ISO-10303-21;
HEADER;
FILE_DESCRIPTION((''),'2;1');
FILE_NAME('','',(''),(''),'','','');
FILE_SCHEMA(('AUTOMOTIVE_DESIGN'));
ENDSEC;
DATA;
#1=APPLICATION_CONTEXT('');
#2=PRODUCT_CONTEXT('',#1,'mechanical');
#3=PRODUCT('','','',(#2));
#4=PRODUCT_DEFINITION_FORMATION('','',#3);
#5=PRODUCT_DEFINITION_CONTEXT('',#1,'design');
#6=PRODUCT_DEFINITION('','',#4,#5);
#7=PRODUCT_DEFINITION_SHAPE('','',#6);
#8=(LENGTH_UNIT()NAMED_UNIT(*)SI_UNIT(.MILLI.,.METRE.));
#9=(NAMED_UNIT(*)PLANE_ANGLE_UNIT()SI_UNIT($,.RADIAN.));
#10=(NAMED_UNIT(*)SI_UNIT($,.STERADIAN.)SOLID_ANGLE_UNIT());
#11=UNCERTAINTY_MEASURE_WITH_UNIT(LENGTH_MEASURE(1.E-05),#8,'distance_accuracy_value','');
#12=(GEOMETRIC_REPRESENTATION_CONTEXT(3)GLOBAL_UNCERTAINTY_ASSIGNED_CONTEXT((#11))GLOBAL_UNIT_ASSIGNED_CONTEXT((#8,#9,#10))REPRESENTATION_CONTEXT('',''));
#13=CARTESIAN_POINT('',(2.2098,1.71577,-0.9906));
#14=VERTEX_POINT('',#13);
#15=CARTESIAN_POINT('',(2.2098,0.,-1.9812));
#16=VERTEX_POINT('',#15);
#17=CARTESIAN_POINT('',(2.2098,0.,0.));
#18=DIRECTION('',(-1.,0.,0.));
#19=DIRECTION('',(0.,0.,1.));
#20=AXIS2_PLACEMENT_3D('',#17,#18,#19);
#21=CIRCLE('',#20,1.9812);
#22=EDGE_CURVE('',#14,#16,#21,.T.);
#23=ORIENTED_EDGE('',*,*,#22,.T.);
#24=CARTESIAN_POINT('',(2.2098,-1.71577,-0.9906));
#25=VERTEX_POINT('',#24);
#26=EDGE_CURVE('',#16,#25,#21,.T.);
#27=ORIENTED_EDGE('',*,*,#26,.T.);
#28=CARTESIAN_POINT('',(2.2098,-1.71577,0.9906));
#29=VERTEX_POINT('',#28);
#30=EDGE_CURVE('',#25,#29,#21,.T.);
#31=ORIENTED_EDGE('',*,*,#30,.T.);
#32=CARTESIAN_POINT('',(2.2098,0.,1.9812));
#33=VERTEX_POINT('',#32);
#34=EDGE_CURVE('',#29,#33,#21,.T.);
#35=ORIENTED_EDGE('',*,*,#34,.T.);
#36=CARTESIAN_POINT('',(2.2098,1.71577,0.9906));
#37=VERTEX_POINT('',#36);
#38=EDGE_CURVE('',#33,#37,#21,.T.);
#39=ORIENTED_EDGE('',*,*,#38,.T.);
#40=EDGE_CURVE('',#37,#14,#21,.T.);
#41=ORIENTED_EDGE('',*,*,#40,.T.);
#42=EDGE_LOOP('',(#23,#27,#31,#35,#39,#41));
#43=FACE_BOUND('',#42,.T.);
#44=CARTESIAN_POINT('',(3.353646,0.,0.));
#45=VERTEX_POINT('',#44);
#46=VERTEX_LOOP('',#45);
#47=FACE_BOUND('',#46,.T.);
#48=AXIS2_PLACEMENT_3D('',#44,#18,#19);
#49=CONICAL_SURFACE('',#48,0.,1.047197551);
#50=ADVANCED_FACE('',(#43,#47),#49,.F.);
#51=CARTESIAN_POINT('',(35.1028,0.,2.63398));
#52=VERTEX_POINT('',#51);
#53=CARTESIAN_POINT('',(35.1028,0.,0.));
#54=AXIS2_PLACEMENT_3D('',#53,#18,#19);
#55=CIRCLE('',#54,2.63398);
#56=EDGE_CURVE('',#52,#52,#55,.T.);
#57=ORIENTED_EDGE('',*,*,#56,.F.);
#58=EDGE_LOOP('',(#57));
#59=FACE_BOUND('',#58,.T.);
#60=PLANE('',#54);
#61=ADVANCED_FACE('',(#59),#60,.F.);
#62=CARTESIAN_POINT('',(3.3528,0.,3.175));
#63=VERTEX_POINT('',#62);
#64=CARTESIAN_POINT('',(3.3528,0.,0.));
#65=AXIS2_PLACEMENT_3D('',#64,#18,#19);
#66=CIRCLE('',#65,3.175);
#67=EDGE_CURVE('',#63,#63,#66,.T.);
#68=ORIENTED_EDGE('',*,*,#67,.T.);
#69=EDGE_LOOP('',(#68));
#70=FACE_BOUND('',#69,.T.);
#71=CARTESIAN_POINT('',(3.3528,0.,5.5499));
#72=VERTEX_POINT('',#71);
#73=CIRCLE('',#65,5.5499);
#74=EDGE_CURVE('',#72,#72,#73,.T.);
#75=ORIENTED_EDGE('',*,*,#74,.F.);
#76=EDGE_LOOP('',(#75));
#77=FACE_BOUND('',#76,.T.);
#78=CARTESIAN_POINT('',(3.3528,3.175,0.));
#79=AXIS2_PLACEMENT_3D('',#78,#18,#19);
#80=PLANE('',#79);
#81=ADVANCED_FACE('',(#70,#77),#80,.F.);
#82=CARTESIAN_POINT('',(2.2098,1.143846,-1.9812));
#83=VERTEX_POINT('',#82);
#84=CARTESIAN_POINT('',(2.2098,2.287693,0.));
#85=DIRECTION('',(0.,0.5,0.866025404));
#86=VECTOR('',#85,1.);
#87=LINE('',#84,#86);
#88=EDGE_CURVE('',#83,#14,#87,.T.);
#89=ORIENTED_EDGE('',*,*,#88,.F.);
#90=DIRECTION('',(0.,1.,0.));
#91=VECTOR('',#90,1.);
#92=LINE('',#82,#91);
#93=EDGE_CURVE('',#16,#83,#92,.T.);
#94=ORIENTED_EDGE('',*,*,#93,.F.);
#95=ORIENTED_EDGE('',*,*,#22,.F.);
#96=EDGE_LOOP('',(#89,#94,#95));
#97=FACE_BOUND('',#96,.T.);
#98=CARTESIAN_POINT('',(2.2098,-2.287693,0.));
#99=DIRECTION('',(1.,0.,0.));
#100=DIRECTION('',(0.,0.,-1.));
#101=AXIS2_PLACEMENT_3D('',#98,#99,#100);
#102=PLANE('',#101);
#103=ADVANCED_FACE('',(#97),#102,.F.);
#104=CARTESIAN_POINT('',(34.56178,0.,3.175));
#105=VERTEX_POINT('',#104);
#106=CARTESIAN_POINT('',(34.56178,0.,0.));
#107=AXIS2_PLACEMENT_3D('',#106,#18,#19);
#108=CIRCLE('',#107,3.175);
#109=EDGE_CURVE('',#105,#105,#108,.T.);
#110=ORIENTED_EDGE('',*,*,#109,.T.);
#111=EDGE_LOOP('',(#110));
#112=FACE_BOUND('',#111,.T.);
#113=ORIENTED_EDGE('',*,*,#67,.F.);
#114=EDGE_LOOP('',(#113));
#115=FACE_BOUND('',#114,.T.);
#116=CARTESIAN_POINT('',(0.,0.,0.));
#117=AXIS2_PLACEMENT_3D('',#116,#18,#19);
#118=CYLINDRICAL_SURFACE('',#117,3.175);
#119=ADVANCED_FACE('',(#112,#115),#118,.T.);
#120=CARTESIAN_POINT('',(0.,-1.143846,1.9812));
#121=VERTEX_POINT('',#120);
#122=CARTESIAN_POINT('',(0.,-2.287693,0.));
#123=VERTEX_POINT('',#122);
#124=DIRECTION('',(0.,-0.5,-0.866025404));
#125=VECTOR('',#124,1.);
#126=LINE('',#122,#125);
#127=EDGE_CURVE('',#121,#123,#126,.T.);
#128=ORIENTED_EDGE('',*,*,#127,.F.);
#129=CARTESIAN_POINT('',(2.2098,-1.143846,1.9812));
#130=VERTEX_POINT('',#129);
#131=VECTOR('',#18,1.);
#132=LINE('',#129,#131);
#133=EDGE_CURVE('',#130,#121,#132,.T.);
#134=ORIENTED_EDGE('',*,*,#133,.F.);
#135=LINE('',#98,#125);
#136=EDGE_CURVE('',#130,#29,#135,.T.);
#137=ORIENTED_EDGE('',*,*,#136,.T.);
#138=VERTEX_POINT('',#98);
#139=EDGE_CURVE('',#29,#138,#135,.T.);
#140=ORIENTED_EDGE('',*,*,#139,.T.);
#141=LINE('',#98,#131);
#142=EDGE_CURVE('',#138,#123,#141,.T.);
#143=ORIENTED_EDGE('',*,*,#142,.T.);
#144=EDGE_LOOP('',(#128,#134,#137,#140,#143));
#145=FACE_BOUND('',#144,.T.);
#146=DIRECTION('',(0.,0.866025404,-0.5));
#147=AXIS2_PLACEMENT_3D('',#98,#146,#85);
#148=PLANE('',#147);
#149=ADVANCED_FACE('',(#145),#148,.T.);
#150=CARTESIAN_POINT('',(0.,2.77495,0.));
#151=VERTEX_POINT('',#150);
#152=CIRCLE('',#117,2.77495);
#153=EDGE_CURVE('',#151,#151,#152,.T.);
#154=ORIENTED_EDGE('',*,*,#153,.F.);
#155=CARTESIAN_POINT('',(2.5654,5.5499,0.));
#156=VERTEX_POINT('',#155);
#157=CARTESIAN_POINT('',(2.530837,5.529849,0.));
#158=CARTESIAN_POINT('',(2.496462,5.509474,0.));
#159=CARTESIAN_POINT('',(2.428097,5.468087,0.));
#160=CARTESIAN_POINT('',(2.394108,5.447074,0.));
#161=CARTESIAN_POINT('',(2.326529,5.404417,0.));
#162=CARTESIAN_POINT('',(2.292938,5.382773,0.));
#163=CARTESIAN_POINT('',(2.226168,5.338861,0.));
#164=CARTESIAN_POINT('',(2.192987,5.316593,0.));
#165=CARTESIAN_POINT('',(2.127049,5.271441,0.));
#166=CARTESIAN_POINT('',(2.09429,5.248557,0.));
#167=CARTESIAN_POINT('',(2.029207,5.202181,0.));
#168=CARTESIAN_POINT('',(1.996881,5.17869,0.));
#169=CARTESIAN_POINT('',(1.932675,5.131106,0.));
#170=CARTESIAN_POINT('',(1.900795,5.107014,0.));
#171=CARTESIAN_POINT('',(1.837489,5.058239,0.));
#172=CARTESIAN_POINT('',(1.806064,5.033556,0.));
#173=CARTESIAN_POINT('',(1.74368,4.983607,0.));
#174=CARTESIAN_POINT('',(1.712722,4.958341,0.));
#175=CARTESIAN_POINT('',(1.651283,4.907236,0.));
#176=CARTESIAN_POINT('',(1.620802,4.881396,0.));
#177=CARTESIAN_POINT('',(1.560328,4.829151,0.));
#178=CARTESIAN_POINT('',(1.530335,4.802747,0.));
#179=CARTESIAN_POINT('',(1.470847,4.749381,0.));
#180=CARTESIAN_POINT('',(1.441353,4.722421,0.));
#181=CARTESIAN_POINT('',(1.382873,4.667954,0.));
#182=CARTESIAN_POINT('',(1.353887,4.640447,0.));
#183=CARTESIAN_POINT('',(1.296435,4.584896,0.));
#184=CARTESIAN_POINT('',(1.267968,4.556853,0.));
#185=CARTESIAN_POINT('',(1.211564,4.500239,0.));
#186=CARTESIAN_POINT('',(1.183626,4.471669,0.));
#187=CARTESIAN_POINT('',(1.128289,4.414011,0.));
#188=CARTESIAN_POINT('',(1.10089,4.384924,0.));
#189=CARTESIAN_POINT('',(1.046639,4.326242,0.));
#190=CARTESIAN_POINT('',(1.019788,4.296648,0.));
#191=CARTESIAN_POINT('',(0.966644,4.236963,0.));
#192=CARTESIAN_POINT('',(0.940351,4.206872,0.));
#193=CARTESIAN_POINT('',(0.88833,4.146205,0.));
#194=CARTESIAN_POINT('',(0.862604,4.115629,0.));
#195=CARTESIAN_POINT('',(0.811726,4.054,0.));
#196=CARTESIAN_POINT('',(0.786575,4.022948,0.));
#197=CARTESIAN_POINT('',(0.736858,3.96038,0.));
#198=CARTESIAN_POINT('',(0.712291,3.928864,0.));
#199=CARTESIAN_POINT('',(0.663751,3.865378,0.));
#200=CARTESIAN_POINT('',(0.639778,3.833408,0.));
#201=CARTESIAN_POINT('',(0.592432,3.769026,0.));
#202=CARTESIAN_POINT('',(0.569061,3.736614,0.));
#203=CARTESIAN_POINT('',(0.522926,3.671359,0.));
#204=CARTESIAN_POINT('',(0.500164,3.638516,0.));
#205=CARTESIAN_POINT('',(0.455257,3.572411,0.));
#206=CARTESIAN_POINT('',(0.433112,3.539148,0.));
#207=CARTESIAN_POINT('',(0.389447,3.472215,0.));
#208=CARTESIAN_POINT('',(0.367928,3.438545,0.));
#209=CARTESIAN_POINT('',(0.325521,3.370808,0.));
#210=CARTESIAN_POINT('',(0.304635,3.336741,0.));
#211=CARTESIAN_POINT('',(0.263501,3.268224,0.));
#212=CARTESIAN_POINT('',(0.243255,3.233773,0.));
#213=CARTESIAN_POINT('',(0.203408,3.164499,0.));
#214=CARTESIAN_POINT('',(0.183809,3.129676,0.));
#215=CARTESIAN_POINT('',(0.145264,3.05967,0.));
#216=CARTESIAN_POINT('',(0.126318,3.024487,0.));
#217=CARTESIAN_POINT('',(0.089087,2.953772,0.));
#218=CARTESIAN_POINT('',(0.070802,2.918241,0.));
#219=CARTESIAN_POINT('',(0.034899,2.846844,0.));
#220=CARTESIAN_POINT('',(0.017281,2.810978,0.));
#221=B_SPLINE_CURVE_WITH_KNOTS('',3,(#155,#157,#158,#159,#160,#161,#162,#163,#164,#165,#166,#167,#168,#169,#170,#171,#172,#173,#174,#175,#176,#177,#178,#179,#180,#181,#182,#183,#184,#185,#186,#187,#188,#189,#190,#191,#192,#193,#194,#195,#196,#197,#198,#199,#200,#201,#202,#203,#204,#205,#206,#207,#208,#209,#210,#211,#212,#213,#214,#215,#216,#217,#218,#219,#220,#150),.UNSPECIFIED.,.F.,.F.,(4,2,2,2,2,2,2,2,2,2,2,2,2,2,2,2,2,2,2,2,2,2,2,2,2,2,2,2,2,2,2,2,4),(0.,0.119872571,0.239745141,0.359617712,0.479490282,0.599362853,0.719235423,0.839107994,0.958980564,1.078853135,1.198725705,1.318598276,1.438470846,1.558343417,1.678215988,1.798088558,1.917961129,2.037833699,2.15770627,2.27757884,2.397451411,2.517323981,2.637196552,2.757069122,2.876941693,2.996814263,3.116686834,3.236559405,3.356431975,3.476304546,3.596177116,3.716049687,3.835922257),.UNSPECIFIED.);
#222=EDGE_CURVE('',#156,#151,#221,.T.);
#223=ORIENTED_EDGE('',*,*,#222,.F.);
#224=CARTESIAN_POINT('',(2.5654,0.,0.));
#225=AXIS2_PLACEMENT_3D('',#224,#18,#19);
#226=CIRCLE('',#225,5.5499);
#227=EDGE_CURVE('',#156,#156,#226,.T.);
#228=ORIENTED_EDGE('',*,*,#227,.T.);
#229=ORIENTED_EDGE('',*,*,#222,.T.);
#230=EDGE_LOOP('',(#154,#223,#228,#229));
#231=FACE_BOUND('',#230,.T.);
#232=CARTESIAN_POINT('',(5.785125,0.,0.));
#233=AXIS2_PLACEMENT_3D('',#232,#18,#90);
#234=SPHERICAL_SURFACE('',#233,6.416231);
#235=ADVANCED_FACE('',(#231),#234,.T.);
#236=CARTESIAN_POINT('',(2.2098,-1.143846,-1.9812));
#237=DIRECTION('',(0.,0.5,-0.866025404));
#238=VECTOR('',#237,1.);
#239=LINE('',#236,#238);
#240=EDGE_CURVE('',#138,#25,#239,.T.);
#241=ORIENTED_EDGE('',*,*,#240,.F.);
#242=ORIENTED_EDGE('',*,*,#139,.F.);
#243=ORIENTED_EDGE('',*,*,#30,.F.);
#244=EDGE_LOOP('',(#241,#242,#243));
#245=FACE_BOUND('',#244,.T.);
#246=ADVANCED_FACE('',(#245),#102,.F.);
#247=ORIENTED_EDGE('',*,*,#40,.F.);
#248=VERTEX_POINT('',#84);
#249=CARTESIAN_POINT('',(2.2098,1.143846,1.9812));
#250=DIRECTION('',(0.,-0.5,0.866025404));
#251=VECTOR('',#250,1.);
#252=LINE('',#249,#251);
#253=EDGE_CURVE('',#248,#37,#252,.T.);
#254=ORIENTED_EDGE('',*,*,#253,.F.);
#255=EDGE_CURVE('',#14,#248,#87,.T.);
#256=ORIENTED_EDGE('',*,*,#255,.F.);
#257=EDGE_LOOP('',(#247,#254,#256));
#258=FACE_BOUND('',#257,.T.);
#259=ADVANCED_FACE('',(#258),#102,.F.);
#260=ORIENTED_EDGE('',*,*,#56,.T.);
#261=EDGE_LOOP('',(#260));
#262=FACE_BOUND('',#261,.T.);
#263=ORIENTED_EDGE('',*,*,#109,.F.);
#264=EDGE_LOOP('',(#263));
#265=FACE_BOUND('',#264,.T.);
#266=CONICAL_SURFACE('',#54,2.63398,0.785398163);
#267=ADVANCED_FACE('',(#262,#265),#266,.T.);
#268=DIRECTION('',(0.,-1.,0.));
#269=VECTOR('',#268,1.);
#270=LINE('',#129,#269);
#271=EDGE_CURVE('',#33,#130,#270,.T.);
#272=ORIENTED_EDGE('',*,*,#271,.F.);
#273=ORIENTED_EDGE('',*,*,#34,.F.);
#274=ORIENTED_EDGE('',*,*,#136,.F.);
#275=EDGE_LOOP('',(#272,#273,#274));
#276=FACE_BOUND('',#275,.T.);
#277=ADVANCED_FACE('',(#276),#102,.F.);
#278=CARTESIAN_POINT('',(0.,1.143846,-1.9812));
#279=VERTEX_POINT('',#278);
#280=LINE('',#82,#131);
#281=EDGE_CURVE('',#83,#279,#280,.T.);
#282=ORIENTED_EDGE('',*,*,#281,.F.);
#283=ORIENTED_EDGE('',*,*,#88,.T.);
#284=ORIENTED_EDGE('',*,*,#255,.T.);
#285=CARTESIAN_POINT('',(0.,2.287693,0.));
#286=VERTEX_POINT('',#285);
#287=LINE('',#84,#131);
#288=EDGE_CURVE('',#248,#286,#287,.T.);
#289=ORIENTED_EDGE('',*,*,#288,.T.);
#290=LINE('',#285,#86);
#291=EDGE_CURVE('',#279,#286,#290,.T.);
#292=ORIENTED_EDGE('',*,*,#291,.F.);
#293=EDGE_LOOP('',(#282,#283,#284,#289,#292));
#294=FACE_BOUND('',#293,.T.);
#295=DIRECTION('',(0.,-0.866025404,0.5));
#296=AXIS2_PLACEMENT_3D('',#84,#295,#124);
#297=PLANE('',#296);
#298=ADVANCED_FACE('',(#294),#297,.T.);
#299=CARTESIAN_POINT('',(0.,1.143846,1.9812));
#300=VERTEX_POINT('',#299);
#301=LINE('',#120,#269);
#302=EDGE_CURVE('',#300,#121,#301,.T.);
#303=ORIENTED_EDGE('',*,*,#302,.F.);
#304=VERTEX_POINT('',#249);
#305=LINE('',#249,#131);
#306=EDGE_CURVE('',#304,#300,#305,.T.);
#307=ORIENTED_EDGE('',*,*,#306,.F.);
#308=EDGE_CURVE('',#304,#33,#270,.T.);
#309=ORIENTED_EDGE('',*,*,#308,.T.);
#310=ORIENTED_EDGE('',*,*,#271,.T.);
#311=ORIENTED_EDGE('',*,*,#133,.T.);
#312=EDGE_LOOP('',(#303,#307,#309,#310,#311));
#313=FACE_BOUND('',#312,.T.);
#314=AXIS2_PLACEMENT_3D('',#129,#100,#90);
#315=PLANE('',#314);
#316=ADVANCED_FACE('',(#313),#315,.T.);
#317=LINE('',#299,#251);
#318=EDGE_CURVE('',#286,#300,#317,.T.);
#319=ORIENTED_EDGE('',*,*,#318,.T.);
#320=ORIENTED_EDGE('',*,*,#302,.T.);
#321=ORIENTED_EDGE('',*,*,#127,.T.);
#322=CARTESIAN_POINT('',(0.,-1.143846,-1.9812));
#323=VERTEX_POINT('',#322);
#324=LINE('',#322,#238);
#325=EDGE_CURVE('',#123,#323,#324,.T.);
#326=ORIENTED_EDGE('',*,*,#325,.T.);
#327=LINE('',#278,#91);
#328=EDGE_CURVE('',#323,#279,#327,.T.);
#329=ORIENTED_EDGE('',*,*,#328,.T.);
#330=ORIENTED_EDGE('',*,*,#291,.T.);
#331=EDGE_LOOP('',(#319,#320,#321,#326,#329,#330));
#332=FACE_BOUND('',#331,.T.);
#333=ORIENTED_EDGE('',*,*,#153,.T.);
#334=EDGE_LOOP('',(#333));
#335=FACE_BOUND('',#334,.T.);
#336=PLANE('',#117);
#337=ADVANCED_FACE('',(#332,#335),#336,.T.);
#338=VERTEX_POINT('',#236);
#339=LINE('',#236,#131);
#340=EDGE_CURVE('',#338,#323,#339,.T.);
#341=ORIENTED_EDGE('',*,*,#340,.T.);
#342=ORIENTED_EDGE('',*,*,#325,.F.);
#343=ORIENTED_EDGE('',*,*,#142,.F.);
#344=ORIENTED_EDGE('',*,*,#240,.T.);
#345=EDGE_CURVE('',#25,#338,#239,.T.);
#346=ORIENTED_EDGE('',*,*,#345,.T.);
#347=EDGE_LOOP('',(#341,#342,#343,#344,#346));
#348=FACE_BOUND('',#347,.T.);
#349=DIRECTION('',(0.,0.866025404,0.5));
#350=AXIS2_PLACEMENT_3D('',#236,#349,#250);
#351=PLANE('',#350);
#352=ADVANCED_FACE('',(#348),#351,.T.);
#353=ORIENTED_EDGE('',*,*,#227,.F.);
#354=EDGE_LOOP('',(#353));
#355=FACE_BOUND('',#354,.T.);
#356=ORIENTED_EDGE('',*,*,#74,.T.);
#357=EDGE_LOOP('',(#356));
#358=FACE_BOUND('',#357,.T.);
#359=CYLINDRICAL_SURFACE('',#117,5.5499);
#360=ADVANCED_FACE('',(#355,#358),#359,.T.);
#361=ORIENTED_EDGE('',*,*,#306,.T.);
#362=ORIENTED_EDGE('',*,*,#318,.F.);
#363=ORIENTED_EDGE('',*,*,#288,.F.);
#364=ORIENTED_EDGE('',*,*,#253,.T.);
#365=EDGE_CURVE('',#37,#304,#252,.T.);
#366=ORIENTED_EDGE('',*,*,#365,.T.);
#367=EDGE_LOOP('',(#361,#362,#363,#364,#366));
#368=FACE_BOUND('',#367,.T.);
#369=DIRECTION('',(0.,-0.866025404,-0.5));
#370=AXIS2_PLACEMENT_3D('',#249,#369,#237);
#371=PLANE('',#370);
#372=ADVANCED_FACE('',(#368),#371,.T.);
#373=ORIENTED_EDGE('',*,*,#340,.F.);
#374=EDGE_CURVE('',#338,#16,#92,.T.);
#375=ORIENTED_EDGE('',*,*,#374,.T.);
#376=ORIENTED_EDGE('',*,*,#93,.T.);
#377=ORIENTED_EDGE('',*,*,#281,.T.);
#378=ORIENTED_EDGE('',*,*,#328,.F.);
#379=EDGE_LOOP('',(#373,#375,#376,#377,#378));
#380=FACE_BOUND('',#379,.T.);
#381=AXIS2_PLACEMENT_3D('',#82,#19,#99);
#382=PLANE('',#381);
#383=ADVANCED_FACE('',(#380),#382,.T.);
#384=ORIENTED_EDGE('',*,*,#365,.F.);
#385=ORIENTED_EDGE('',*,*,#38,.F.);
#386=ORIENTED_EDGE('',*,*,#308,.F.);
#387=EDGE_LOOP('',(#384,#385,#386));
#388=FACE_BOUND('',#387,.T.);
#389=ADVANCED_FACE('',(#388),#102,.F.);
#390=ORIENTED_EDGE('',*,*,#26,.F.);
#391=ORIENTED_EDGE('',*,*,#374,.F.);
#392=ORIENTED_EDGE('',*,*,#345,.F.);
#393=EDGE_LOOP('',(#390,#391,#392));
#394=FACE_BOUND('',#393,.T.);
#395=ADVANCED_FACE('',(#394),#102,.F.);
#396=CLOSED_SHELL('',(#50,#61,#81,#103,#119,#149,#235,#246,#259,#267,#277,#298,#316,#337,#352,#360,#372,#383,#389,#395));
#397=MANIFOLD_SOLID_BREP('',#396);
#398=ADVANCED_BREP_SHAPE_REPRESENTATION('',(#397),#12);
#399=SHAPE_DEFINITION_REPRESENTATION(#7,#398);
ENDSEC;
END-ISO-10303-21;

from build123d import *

# Parameters (mm, degrees)
HEX_2_DEPTH = 2.2098


with BuildPart() as part:
    # BodySke → BaseBody (revolve)
    with BuildSketch(Plane.XY, mode=Mode.PRIVATE) as basebody_sk:
        with BuildLine():
            Line((35.1028, 0), (35.1028, 2.63398))
            Line((35.1028, 2.63398), (34.56178, 3.175))
            Line((34.56178, 3.175), (3.3528, 3.175))
            Line((3.3528, 3.175), (3.3528, 5.5499))
            Line((3.3528, 5.5499), (2.5654, 5.5499))
            ThreePointArc((2.5654, 5.5499), (1.073764503, 4.355582759), (0, 2.77495))
            Line((0, 2.77495), (0, 0))
            Line((0, 0), (35.1028, 0))
        make_face()
    revolve(basebody_sk.sketch.rotate(Axis((0, 0, 0), (1, 0, 0)), 90), axis=Axis((0, 0, 0), (1, 0, 0)))

    # Sketch2 → PreBroach (revolve, cut)
    with BuildSketch(Plane.XY, mode=Mode.PRIVATE) as prebroach_sk:
        Polygon((0, 1.9812), (2.2098, 1.9812), (3.353646353, 0), (0, 0), align=None)
    revolve(prebroach_sk.sketch.rotate(Axis((0, 0, 0), (1, 0, 0)), 90), axis=Axis((0, 0, 0), (1, 0, 0)), mode=Mode.SUBTRACT)

    # Sketch3 → Hex 2 (cut)
    with BuildSketch(Plane(origin=(0, 0, 0), x_dir=(0, 0, -1), z_dir=(1, 0, 0))):
        Polygon((-1.9812, -1.143846353), (-1.9812, 1.143846353), (0, 2.287692707), (1.9812, 1.143846353), (1.9812, -1.143846353), (0, -2.287692707), align=None)
    extrude(amount=HEX_2_DEPTH, mode=Mode.SUBTRACT)


solid = part.part
